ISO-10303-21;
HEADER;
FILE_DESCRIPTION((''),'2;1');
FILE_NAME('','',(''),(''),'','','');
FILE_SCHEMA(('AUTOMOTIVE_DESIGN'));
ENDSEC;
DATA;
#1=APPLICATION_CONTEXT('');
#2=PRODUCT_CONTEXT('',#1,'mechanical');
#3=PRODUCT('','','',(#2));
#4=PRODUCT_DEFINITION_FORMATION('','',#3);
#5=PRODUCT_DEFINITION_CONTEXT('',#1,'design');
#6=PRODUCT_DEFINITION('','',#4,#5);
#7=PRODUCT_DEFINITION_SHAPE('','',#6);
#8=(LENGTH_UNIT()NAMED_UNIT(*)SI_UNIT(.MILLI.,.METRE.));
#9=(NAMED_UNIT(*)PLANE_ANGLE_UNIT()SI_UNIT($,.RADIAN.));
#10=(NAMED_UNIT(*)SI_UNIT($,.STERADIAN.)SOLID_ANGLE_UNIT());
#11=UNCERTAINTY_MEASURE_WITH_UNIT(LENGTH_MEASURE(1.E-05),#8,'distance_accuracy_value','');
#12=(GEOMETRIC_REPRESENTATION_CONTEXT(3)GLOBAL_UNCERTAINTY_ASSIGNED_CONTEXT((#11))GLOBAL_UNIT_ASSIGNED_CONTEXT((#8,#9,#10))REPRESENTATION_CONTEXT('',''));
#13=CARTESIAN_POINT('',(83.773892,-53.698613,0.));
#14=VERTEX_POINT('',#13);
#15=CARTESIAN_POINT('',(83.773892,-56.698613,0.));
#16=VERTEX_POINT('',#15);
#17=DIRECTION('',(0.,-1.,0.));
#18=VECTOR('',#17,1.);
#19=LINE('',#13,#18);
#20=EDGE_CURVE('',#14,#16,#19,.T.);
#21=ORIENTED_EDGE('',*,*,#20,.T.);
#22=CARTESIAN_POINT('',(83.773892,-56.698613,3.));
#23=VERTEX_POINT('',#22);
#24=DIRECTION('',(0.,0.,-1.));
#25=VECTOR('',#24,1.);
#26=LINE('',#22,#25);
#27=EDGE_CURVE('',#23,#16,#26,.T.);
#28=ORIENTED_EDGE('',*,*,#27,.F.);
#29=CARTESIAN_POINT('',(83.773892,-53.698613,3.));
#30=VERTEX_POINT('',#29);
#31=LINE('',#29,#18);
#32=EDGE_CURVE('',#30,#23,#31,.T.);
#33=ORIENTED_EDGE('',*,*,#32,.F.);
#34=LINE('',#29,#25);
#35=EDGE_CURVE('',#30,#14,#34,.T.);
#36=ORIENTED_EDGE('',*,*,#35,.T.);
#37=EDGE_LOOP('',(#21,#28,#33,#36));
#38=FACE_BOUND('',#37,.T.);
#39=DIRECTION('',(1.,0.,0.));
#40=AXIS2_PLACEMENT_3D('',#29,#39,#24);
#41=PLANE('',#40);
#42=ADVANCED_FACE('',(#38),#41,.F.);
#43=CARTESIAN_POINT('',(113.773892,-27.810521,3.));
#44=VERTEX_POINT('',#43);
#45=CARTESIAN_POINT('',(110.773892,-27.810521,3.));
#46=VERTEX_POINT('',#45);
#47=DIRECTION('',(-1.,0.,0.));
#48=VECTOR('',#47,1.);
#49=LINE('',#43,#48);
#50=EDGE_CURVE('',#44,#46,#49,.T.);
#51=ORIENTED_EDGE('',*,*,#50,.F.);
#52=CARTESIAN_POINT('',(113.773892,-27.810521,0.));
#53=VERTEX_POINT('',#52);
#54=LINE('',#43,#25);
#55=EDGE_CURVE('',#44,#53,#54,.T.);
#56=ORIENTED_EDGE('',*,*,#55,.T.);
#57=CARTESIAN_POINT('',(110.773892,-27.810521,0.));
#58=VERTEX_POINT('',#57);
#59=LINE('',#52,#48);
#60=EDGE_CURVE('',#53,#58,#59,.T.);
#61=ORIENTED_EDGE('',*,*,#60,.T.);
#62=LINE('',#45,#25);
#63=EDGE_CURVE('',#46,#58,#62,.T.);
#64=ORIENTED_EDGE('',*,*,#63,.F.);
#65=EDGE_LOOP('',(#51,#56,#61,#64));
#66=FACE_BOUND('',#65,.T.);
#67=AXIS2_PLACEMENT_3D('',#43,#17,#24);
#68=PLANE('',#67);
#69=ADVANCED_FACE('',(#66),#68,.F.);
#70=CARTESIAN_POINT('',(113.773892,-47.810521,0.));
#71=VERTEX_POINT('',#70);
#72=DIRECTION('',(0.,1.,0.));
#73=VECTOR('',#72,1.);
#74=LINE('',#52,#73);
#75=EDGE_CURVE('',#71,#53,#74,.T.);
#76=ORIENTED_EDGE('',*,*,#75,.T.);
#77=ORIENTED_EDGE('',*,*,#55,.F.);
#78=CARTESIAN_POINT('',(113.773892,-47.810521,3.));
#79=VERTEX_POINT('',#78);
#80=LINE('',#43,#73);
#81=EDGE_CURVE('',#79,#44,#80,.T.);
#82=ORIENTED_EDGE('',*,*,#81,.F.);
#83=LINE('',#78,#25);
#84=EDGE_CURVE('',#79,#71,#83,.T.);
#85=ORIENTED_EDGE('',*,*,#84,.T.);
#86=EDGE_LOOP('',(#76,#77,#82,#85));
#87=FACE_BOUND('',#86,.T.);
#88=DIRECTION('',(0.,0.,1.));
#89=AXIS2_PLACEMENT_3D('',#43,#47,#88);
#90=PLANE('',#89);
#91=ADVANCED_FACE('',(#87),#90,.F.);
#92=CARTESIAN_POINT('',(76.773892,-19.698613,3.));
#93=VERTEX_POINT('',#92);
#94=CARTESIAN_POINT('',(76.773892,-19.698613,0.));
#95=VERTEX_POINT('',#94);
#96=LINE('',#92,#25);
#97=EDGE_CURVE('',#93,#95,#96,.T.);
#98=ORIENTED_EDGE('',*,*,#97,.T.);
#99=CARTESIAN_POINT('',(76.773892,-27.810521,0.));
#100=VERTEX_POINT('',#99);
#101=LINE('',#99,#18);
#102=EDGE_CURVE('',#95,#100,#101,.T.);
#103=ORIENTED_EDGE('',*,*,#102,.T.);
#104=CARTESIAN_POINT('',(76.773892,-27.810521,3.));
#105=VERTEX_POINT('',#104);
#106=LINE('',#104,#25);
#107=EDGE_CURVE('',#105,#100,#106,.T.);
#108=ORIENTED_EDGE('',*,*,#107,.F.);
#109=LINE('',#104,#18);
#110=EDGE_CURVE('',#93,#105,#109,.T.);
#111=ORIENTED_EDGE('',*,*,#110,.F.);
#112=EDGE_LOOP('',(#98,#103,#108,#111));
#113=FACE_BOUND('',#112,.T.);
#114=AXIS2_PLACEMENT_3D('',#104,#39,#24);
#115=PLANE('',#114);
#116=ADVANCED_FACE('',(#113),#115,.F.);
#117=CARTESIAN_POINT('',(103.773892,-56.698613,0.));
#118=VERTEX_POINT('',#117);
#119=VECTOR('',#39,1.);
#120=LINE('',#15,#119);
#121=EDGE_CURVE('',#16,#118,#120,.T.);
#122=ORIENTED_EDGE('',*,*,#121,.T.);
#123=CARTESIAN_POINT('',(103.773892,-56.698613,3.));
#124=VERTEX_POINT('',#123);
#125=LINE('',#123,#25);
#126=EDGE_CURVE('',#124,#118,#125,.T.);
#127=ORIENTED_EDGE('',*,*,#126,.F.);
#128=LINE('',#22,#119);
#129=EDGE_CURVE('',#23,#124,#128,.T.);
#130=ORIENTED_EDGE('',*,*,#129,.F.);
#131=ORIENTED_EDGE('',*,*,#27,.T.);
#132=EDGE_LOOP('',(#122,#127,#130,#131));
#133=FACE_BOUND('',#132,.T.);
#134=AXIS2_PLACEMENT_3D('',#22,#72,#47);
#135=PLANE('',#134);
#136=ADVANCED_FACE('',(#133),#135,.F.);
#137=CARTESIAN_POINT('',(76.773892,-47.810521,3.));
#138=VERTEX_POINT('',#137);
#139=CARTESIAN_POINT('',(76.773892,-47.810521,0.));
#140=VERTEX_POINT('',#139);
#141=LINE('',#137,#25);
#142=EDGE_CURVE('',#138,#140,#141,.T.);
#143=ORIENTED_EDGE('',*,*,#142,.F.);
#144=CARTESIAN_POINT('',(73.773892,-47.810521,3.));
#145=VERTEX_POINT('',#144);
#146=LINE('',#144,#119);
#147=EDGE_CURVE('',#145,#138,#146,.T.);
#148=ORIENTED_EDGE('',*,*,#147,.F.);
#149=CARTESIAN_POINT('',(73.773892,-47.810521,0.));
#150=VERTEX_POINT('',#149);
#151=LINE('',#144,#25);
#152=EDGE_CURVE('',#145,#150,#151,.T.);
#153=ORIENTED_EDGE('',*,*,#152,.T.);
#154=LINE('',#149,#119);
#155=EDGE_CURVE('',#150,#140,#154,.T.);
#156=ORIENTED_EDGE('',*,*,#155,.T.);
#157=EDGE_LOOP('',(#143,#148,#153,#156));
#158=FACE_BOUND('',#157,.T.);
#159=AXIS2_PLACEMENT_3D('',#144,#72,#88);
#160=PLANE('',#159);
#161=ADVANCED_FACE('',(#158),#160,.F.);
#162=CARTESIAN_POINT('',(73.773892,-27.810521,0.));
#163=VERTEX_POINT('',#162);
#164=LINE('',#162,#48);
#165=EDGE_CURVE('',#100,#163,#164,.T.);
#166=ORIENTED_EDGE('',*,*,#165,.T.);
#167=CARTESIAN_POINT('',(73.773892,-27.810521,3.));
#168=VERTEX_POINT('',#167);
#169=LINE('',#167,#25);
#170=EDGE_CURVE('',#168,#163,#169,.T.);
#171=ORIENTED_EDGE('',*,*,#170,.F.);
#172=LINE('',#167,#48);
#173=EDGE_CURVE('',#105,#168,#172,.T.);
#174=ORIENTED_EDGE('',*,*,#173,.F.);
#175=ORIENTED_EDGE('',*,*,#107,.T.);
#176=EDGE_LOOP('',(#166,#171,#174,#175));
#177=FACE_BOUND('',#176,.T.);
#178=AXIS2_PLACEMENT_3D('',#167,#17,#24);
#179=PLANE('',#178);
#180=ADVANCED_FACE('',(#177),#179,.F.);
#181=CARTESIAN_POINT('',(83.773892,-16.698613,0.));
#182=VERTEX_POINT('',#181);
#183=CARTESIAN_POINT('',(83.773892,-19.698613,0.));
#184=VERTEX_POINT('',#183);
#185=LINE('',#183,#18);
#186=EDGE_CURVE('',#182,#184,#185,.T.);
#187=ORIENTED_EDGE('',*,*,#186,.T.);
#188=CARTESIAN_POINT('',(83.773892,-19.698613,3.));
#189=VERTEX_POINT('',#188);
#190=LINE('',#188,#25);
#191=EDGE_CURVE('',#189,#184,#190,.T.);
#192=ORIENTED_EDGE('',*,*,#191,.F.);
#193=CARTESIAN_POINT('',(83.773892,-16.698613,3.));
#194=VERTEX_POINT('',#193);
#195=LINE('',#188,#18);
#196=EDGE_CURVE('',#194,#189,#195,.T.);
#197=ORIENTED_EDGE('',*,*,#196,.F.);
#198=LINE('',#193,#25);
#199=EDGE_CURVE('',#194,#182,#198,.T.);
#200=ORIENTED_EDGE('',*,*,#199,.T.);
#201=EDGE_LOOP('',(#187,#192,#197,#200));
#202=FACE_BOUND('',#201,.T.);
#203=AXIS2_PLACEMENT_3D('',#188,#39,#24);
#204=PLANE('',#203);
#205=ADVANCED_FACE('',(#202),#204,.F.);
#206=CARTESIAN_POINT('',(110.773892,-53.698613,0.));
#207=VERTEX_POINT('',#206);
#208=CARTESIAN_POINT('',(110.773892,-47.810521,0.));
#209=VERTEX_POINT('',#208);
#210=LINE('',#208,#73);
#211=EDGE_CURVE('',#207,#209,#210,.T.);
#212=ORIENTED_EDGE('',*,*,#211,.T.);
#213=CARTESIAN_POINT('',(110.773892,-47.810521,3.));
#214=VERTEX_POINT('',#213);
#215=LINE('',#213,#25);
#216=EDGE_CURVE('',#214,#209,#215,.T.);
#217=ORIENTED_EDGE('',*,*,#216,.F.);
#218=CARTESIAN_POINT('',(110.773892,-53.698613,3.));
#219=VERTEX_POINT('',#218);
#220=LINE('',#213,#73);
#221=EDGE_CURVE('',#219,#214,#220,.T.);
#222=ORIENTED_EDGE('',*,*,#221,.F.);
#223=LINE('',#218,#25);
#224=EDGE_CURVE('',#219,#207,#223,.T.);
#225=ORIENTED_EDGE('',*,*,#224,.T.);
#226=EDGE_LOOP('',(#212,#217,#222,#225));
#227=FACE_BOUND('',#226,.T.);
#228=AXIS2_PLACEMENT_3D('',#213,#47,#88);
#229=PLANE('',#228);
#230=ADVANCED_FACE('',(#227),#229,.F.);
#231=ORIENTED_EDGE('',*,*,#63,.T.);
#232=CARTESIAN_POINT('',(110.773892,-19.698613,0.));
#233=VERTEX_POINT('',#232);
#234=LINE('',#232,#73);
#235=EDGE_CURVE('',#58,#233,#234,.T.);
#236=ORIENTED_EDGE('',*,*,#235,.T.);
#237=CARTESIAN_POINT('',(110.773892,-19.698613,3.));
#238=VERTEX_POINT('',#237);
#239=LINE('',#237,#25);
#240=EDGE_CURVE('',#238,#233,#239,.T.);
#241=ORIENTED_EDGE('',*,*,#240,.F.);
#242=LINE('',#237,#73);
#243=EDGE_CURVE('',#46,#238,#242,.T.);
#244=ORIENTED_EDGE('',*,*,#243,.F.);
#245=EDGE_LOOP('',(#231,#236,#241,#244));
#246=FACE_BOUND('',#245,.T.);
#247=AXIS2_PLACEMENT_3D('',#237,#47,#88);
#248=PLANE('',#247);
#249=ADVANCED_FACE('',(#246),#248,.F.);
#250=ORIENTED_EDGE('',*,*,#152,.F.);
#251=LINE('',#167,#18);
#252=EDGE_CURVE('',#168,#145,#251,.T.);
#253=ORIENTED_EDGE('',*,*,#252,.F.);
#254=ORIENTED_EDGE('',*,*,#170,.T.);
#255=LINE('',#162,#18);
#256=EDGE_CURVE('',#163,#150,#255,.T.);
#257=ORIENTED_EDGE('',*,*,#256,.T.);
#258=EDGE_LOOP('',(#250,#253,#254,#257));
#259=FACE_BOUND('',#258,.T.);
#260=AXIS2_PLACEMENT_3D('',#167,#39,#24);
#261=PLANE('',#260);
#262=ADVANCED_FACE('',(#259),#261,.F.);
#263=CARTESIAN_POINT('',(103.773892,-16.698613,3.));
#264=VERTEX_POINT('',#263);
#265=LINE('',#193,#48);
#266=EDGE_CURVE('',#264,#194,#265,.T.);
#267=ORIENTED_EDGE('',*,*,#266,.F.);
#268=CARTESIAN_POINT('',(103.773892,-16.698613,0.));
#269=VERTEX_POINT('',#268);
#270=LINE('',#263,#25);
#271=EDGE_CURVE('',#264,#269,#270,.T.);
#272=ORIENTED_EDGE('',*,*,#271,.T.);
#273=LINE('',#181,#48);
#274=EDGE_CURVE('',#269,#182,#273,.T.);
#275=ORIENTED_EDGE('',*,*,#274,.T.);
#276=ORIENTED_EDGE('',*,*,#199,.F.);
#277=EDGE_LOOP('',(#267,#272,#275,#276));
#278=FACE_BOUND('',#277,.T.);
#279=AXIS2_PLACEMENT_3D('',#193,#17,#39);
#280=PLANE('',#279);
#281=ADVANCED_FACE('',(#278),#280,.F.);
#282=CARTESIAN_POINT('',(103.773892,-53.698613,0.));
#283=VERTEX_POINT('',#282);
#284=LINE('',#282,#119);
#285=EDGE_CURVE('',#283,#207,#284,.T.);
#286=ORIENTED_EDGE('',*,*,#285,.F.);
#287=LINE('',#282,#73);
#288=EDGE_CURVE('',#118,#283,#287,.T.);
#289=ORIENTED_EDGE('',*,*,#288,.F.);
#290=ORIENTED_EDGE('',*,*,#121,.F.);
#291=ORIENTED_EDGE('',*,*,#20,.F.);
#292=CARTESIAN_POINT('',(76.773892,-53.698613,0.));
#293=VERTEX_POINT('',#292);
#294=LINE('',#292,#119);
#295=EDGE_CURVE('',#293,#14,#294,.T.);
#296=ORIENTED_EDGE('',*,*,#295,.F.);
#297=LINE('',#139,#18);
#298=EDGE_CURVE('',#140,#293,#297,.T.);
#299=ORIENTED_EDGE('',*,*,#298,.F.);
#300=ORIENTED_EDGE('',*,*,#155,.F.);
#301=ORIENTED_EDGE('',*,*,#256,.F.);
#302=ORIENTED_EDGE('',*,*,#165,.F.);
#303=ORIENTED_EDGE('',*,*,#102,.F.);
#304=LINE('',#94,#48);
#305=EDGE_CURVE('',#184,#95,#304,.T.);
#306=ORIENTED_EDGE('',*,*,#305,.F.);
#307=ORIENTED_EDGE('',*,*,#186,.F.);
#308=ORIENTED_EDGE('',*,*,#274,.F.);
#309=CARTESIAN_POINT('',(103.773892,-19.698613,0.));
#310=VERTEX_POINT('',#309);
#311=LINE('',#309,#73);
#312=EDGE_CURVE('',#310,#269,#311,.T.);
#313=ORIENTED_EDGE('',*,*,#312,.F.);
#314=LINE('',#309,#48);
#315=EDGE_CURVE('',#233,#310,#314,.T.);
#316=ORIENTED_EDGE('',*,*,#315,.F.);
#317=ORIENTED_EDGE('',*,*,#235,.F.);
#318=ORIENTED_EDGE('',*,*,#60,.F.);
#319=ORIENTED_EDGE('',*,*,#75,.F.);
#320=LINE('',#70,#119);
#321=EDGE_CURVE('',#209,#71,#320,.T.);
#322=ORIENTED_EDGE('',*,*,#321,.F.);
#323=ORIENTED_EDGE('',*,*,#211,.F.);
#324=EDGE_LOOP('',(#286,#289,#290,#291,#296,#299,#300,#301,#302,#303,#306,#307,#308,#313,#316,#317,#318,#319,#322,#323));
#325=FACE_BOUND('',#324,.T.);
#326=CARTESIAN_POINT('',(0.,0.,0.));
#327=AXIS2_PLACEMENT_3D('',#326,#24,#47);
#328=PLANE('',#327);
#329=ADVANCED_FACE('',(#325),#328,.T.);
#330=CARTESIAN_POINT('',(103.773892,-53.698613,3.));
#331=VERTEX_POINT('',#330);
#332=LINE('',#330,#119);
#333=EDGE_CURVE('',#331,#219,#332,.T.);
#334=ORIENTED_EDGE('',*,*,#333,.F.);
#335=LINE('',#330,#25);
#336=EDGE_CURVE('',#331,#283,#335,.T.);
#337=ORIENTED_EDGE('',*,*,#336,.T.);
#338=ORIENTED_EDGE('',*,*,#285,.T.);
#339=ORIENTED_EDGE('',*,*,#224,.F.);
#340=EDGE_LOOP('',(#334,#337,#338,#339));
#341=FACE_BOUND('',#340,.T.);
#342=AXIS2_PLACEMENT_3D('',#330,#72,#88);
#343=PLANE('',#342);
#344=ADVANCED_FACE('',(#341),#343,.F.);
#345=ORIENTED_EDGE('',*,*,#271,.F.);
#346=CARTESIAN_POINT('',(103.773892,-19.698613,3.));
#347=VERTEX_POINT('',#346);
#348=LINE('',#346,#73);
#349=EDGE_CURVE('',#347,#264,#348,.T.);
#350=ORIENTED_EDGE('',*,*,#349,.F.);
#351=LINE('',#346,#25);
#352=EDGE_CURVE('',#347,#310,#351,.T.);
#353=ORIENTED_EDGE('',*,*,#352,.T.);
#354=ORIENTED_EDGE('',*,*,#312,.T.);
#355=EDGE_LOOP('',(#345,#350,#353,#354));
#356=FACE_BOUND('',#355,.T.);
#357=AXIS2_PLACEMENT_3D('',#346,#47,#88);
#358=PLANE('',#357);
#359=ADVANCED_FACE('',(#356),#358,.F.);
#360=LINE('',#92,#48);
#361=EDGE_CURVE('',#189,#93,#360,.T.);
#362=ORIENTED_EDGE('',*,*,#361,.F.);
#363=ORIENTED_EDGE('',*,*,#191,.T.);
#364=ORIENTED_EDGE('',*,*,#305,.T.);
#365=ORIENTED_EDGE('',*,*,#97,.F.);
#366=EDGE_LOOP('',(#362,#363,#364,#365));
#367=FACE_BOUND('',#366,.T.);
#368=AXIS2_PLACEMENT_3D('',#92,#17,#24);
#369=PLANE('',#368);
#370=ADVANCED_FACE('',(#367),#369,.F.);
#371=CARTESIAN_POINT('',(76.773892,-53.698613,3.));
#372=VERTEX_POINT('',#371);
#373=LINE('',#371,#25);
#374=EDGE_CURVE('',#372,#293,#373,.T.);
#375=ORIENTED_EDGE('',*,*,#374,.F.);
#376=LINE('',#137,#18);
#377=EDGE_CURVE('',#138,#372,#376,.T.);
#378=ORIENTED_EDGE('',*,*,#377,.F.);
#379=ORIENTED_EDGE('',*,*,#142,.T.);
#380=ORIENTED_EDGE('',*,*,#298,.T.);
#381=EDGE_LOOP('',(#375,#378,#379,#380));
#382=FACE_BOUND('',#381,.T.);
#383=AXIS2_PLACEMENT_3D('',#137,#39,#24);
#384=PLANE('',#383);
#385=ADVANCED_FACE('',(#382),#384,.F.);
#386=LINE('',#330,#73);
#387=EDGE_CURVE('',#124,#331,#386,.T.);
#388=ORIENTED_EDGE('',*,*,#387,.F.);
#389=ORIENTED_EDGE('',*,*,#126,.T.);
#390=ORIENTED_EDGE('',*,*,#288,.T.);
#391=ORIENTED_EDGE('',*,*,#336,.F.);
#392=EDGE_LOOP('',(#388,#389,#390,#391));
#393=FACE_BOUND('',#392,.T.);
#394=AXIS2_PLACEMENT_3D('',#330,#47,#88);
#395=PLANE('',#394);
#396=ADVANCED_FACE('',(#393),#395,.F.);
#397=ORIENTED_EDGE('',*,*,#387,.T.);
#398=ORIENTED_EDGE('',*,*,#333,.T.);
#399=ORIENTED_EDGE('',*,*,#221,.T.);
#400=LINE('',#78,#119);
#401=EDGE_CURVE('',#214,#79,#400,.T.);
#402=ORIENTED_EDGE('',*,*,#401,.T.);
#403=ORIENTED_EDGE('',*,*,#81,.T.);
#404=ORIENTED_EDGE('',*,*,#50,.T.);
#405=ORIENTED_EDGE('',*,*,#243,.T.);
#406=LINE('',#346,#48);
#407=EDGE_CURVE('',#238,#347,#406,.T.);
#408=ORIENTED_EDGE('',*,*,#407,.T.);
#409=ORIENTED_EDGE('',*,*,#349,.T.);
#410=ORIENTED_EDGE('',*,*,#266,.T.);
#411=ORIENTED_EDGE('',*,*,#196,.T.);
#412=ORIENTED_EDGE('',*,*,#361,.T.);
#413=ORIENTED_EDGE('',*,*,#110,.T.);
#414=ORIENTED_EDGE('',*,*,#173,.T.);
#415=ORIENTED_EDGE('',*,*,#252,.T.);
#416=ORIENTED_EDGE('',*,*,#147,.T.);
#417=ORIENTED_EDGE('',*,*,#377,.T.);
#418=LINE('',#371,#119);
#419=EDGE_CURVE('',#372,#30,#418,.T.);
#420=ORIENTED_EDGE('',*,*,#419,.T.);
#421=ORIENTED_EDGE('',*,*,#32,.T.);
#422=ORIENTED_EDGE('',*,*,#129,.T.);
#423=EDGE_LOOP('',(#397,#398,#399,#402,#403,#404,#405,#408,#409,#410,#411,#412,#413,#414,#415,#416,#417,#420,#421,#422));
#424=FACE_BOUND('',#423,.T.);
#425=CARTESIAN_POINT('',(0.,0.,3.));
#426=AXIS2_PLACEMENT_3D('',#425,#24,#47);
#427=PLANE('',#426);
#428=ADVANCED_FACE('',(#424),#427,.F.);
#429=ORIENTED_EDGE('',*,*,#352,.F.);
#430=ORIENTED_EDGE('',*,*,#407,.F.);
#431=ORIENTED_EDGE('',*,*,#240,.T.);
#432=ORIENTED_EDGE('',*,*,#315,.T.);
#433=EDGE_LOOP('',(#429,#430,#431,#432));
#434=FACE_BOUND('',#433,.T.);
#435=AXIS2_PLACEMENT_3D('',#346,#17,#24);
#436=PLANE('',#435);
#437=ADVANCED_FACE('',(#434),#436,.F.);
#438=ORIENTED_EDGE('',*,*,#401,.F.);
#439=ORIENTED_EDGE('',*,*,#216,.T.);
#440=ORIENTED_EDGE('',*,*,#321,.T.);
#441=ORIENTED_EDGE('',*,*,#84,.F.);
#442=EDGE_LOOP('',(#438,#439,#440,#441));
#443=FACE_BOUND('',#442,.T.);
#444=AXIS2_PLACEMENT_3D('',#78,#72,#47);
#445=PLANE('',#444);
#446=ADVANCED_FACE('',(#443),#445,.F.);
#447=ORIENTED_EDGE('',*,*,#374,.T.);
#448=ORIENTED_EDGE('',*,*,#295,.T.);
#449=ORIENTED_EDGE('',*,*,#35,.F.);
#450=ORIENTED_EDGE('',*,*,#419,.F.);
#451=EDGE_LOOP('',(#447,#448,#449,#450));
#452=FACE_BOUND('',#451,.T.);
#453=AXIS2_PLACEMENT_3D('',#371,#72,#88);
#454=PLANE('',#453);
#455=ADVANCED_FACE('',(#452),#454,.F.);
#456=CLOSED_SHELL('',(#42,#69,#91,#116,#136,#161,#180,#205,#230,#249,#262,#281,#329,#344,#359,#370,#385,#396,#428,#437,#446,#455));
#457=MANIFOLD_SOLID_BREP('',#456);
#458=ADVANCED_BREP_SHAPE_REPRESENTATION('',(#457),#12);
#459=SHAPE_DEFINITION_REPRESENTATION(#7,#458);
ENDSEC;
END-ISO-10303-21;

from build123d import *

# Parameters (mm, degrees)
SALIENTE_EXTRUIR1_DEPTH = 3


with BuildPart() as part:
    # Croquis1 → Saliente-Extruir1 (new body)
    with BuildSketch(Plane.XY):
        Polygon((83.773892479, -19.698612624), (83.773892479, -16.698612624), (103.773892479, -16.698612624), (103.773892479, -19.698612624), (110.773892479, -19.698612624), (110.773892479, -27.810520665), (113.773892479, -27.810520665), (113.773892479, -47.810520665), (110.773892479, -47.810520665), (110.773892479, -53.698612624), (103.773892479, -53.698612624), (103.773892479, -56.698612624), (83.773892479, -56.698612624), (83.773892479, -53.698612624), (76.773892479, -53.698612624), (76.773892479, -47.810520665), (73.773892479, -47.810520665), (73.773892479, -27.810520665), (76.773892479, -27.810520665), (76.773892479, -19.698612624), align=None)
    extrude(amount=SALIENTE_EXTRUIR1_DEPTH)


solid = part.part
